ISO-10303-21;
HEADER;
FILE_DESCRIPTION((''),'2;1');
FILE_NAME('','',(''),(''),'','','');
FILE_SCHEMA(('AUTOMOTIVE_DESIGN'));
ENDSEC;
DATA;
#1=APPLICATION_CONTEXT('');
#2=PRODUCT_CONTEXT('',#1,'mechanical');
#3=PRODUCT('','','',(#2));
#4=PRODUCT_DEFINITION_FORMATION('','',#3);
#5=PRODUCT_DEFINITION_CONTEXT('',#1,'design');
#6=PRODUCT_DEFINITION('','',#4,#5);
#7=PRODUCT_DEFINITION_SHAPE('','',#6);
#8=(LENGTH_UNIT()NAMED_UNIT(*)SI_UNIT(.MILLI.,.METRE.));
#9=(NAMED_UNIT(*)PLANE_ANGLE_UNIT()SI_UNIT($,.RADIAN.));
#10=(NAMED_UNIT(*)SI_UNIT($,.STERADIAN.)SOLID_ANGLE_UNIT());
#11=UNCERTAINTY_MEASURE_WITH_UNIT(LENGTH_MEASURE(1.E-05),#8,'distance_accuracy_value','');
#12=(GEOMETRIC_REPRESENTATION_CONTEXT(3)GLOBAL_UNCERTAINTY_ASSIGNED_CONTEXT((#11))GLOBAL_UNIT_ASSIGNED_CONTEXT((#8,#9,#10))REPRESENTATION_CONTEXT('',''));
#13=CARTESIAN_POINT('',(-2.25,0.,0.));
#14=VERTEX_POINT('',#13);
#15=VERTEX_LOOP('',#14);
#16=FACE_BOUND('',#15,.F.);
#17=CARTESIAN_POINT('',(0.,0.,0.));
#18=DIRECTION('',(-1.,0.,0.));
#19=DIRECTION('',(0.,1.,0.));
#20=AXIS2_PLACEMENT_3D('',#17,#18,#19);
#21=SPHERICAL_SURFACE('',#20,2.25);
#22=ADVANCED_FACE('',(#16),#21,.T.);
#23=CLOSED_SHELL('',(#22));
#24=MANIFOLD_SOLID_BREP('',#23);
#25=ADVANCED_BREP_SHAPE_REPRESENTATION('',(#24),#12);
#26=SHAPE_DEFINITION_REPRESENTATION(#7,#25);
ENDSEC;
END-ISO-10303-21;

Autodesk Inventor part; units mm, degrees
ref_plane "YZ Plane" through (0, 0, 0) normal (1, 0, 0) x (0, 1, 0)
ref_plane "XZ Plane" through (0, 0, 0) normal (0, 1, 0) x (-1, 0, 0)
ref_plane "XY Plane" through (0, 0, 0) normal (0, 0, 1) x (1, 0, 0)
sketch "スケッチ1" plane through (0, 0, 0) normal (0, 0, 1) x (1, 0, 0)
  circle A0 centre (0, 0) radius 2.25
  line L0 (-2.25, 0) -> (2.25, 0)
  dimension "d0" = 4.5
revolve "回転1" add sketch "スケッチ1" angle 360 about axis through (-2.25, 0, 0) along (1, 0, 0) picked at (0.426, 0.6172) contours L0 A0
properties part number "Parts_Ball_SBM-SUJ-6.5" material "鋼"
